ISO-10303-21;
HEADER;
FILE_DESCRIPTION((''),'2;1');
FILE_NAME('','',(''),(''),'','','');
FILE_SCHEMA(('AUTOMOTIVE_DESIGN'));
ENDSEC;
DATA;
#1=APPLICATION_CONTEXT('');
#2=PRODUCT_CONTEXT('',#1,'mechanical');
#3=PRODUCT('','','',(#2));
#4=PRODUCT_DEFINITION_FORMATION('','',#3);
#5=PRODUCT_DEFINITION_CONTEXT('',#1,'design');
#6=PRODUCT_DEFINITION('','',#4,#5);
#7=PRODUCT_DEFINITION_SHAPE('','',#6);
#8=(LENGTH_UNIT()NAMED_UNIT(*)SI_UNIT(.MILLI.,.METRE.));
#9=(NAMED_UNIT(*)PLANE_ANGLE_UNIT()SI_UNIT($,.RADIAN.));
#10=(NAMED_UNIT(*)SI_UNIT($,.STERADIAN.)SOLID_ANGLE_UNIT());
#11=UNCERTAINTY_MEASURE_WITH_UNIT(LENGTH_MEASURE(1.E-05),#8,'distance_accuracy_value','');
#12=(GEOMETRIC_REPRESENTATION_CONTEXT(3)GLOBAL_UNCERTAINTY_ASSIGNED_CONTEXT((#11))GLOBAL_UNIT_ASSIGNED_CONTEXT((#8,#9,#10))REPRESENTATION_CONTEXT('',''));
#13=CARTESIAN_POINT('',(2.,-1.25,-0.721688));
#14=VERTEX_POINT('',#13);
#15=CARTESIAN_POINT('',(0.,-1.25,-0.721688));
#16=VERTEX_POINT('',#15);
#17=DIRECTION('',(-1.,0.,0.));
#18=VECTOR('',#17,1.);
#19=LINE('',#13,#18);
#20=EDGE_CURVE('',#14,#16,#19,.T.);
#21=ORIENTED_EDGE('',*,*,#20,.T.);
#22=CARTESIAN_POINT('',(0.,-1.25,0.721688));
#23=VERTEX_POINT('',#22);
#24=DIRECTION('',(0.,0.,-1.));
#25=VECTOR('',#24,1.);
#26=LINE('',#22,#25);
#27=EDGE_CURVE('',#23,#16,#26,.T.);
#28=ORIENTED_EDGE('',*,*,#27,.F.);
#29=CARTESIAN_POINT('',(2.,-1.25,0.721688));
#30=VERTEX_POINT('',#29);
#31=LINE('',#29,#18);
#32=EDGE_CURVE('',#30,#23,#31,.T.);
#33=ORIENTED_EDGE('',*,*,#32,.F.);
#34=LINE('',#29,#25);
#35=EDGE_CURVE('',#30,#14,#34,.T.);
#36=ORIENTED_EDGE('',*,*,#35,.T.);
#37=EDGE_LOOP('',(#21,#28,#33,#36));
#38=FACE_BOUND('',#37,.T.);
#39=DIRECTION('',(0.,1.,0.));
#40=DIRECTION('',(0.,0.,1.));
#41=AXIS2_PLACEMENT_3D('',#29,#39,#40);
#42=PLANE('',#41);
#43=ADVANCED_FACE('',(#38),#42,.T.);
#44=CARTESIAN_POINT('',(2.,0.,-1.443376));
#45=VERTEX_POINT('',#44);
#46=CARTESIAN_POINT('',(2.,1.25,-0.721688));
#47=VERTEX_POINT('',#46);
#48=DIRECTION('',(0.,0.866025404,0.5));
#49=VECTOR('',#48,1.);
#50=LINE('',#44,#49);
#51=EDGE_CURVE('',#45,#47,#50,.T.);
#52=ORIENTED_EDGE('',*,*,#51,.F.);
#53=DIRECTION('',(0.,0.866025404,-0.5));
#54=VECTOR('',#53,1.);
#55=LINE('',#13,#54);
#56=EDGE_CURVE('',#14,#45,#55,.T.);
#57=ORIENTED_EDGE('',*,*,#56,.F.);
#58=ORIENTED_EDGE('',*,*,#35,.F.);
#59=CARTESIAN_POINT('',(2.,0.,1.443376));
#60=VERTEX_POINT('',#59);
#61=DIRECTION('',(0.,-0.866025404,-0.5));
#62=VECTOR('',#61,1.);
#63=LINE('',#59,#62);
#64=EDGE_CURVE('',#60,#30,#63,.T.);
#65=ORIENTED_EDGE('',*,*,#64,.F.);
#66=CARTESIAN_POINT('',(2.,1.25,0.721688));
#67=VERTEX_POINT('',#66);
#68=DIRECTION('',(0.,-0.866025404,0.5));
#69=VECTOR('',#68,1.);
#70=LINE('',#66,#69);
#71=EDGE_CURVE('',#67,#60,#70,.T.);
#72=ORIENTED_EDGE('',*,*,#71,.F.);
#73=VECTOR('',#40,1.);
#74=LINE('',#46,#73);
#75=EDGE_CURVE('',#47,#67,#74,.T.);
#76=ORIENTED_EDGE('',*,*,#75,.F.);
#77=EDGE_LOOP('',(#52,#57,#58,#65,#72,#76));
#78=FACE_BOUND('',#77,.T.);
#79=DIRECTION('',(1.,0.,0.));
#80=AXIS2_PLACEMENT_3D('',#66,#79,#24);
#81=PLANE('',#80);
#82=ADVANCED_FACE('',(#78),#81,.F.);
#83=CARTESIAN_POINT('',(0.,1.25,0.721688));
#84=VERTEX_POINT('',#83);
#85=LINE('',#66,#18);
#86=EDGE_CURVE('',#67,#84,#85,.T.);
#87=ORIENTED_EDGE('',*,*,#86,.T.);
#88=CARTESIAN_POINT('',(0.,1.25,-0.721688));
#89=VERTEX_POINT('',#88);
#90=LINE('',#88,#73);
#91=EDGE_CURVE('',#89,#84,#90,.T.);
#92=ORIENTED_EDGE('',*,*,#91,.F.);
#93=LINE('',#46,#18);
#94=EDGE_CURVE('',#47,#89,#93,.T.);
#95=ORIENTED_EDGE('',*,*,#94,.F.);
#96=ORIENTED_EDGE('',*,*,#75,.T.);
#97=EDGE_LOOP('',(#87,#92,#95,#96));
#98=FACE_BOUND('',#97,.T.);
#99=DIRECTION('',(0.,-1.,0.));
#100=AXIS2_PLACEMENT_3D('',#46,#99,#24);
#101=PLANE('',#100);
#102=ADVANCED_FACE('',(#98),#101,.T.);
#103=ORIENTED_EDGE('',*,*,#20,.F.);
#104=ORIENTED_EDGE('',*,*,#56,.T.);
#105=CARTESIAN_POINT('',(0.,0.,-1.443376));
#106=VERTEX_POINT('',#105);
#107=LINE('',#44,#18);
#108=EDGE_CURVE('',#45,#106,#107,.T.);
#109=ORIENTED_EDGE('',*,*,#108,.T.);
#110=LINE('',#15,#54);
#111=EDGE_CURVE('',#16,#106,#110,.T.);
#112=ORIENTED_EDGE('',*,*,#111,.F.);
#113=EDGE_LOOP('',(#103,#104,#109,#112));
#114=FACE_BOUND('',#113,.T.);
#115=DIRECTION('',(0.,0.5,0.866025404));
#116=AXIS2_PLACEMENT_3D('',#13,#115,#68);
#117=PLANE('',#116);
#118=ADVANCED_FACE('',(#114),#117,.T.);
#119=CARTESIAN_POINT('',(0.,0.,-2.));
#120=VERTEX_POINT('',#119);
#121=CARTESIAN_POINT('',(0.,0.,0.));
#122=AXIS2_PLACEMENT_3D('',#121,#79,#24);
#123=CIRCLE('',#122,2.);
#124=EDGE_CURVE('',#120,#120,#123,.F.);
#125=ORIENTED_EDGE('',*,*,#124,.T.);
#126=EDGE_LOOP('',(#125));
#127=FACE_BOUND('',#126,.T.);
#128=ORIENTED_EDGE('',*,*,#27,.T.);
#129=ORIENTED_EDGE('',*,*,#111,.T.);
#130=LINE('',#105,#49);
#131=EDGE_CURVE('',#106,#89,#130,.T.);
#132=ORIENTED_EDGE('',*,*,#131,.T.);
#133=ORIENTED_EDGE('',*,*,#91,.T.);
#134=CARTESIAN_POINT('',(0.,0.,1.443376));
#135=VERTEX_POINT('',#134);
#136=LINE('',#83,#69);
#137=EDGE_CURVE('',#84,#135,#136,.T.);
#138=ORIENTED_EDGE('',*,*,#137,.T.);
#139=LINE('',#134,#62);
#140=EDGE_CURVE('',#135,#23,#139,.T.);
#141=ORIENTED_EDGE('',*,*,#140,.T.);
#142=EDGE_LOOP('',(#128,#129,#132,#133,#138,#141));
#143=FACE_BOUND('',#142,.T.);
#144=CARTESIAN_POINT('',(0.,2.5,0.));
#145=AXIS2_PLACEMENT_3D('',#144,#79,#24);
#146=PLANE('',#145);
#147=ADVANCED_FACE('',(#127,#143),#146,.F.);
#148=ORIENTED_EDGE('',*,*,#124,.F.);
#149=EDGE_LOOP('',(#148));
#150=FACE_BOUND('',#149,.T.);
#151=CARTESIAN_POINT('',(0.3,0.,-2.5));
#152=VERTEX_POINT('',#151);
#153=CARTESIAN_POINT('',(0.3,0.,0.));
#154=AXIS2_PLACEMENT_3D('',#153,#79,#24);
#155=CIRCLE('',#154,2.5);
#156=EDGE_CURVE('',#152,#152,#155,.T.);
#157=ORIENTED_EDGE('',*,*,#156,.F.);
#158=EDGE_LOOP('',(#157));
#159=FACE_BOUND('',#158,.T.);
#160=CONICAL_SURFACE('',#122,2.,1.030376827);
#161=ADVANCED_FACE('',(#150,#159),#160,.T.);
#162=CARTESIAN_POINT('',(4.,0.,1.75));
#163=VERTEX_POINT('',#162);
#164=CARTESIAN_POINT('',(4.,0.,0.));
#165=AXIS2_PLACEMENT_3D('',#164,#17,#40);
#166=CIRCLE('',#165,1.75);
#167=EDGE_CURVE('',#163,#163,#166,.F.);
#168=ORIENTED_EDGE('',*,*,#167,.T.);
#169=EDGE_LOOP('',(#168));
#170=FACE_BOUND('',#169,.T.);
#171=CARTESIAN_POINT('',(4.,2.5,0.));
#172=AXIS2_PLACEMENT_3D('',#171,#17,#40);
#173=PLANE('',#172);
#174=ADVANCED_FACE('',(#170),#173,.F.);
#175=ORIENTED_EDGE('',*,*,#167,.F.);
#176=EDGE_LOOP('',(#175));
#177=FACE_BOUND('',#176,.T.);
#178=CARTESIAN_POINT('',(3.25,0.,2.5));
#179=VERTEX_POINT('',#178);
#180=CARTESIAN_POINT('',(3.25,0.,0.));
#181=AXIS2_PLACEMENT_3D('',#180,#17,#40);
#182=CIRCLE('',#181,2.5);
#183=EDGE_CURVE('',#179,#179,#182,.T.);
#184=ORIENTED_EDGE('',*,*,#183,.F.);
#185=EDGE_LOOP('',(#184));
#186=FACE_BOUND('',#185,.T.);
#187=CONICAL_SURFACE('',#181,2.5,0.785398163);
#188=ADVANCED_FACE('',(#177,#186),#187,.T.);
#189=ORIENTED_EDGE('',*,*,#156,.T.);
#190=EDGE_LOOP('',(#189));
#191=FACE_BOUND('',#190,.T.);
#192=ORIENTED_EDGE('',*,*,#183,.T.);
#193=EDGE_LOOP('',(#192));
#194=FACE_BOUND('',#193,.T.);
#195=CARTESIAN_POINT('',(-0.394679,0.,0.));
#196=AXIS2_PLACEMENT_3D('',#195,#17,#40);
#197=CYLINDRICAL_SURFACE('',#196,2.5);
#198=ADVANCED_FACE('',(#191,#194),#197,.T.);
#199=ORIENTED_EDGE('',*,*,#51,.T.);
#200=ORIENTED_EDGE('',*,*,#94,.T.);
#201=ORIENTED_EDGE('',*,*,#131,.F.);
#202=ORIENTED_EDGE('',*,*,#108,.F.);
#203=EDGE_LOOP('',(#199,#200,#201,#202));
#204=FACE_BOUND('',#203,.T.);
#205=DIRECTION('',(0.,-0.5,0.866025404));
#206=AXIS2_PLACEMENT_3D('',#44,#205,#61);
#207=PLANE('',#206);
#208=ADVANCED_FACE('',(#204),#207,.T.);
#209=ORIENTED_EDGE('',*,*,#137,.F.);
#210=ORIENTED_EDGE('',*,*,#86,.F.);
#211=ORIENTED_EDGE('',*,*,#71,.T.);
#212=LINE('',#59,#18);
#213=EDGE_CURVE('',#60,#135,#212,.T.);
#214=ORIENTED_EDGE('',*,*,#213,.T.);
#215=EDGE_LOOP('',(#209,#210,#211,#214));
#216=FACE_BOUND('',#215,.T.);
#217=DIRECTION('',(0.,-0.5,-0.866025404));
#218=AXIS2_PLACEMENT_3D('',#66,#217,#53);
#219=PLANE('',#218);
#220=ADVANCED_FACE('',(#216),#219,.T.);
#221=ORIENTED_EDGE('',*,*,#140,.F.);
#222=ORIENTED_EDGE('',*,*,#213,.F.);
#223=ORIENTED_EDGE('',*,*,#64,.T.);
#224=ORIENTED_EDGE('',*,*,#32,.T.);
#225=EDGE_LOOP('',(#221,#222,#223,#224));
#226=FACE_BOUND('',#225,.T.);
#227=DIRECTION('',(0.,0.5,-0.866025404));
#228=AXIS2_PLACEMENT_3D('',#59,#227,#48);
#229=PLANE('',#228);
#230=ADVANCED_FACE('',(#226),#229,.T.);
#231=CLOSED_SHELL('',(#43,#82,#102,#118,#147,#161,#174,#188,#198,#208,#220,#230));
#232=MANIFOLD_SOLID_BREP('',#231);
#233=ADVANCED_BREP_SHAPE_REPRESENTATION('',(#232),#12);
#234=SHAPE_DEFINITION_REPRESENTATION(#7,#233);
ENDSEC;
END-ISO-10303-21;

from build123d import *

# Parameters (mm, degrees)
SKETCH1_W          = 4
SKETCH1_H          = 2.5
CUT_EXTRUDE1_DEPTH = 2
CHAMFER1_SIZE      = 0.75
CHAMFER2_SIZE      = 0.3
CHAMFER2_SIZE2     = 0.5


with BuildPart() as part:
    # Sketch1 → Revolve1 (revolve)
    with BuildSketch(Plane.XY):
        with Locations((2, 1.25)):
            Rectangle(SKETCH1_W, SKETCH1_H)
    revolve(axis=Axis((-0.394679187, 0, 0), (1, 0, 0)))

    # Sketch2 → Cut-Extrude1 (cut)
    with BuildSketch(Plane(origin=(0, 0, 0), x_dir=(0, 0, -1), z_dir=(1, 0, 0))):
        Polygon((-0.721687836, 1.25), (-1.443375673, 0), (-0.721687836, -1.25), (0.721687836, -1.25), (1.443375673, 0), (0.721687836, 1.25), align=None)
    extrude(amount=CUT_EXTRUDE1_DEPTH, mode=Mode.SUBTRACT)

    # Chamfer1
    chamfer1_edges = [part.edges().sort_by_distance(p)[0] for p in [
        (4, -2.5, 0),
    ]]
    chamfer(chamfer1_edges, length=CHAMFER1_SIZE)

    # Chamfer2
    chamfer2_edges = [part.edges().sort_by_distance(p)[0] for p in [
        (0, -2.5, 0),
    ]]
    chamfer2_side = [part.faces().sort_by_distance(p)[0] for p in [
        (1.625, -2.5, 0),
    ]]
    chamfer(chamfer2_edges, length=CHAMFER2_SIZE, length2=CHAMFER2_SIZE2, reference=chamfer2_side[0])


solid = part.part
